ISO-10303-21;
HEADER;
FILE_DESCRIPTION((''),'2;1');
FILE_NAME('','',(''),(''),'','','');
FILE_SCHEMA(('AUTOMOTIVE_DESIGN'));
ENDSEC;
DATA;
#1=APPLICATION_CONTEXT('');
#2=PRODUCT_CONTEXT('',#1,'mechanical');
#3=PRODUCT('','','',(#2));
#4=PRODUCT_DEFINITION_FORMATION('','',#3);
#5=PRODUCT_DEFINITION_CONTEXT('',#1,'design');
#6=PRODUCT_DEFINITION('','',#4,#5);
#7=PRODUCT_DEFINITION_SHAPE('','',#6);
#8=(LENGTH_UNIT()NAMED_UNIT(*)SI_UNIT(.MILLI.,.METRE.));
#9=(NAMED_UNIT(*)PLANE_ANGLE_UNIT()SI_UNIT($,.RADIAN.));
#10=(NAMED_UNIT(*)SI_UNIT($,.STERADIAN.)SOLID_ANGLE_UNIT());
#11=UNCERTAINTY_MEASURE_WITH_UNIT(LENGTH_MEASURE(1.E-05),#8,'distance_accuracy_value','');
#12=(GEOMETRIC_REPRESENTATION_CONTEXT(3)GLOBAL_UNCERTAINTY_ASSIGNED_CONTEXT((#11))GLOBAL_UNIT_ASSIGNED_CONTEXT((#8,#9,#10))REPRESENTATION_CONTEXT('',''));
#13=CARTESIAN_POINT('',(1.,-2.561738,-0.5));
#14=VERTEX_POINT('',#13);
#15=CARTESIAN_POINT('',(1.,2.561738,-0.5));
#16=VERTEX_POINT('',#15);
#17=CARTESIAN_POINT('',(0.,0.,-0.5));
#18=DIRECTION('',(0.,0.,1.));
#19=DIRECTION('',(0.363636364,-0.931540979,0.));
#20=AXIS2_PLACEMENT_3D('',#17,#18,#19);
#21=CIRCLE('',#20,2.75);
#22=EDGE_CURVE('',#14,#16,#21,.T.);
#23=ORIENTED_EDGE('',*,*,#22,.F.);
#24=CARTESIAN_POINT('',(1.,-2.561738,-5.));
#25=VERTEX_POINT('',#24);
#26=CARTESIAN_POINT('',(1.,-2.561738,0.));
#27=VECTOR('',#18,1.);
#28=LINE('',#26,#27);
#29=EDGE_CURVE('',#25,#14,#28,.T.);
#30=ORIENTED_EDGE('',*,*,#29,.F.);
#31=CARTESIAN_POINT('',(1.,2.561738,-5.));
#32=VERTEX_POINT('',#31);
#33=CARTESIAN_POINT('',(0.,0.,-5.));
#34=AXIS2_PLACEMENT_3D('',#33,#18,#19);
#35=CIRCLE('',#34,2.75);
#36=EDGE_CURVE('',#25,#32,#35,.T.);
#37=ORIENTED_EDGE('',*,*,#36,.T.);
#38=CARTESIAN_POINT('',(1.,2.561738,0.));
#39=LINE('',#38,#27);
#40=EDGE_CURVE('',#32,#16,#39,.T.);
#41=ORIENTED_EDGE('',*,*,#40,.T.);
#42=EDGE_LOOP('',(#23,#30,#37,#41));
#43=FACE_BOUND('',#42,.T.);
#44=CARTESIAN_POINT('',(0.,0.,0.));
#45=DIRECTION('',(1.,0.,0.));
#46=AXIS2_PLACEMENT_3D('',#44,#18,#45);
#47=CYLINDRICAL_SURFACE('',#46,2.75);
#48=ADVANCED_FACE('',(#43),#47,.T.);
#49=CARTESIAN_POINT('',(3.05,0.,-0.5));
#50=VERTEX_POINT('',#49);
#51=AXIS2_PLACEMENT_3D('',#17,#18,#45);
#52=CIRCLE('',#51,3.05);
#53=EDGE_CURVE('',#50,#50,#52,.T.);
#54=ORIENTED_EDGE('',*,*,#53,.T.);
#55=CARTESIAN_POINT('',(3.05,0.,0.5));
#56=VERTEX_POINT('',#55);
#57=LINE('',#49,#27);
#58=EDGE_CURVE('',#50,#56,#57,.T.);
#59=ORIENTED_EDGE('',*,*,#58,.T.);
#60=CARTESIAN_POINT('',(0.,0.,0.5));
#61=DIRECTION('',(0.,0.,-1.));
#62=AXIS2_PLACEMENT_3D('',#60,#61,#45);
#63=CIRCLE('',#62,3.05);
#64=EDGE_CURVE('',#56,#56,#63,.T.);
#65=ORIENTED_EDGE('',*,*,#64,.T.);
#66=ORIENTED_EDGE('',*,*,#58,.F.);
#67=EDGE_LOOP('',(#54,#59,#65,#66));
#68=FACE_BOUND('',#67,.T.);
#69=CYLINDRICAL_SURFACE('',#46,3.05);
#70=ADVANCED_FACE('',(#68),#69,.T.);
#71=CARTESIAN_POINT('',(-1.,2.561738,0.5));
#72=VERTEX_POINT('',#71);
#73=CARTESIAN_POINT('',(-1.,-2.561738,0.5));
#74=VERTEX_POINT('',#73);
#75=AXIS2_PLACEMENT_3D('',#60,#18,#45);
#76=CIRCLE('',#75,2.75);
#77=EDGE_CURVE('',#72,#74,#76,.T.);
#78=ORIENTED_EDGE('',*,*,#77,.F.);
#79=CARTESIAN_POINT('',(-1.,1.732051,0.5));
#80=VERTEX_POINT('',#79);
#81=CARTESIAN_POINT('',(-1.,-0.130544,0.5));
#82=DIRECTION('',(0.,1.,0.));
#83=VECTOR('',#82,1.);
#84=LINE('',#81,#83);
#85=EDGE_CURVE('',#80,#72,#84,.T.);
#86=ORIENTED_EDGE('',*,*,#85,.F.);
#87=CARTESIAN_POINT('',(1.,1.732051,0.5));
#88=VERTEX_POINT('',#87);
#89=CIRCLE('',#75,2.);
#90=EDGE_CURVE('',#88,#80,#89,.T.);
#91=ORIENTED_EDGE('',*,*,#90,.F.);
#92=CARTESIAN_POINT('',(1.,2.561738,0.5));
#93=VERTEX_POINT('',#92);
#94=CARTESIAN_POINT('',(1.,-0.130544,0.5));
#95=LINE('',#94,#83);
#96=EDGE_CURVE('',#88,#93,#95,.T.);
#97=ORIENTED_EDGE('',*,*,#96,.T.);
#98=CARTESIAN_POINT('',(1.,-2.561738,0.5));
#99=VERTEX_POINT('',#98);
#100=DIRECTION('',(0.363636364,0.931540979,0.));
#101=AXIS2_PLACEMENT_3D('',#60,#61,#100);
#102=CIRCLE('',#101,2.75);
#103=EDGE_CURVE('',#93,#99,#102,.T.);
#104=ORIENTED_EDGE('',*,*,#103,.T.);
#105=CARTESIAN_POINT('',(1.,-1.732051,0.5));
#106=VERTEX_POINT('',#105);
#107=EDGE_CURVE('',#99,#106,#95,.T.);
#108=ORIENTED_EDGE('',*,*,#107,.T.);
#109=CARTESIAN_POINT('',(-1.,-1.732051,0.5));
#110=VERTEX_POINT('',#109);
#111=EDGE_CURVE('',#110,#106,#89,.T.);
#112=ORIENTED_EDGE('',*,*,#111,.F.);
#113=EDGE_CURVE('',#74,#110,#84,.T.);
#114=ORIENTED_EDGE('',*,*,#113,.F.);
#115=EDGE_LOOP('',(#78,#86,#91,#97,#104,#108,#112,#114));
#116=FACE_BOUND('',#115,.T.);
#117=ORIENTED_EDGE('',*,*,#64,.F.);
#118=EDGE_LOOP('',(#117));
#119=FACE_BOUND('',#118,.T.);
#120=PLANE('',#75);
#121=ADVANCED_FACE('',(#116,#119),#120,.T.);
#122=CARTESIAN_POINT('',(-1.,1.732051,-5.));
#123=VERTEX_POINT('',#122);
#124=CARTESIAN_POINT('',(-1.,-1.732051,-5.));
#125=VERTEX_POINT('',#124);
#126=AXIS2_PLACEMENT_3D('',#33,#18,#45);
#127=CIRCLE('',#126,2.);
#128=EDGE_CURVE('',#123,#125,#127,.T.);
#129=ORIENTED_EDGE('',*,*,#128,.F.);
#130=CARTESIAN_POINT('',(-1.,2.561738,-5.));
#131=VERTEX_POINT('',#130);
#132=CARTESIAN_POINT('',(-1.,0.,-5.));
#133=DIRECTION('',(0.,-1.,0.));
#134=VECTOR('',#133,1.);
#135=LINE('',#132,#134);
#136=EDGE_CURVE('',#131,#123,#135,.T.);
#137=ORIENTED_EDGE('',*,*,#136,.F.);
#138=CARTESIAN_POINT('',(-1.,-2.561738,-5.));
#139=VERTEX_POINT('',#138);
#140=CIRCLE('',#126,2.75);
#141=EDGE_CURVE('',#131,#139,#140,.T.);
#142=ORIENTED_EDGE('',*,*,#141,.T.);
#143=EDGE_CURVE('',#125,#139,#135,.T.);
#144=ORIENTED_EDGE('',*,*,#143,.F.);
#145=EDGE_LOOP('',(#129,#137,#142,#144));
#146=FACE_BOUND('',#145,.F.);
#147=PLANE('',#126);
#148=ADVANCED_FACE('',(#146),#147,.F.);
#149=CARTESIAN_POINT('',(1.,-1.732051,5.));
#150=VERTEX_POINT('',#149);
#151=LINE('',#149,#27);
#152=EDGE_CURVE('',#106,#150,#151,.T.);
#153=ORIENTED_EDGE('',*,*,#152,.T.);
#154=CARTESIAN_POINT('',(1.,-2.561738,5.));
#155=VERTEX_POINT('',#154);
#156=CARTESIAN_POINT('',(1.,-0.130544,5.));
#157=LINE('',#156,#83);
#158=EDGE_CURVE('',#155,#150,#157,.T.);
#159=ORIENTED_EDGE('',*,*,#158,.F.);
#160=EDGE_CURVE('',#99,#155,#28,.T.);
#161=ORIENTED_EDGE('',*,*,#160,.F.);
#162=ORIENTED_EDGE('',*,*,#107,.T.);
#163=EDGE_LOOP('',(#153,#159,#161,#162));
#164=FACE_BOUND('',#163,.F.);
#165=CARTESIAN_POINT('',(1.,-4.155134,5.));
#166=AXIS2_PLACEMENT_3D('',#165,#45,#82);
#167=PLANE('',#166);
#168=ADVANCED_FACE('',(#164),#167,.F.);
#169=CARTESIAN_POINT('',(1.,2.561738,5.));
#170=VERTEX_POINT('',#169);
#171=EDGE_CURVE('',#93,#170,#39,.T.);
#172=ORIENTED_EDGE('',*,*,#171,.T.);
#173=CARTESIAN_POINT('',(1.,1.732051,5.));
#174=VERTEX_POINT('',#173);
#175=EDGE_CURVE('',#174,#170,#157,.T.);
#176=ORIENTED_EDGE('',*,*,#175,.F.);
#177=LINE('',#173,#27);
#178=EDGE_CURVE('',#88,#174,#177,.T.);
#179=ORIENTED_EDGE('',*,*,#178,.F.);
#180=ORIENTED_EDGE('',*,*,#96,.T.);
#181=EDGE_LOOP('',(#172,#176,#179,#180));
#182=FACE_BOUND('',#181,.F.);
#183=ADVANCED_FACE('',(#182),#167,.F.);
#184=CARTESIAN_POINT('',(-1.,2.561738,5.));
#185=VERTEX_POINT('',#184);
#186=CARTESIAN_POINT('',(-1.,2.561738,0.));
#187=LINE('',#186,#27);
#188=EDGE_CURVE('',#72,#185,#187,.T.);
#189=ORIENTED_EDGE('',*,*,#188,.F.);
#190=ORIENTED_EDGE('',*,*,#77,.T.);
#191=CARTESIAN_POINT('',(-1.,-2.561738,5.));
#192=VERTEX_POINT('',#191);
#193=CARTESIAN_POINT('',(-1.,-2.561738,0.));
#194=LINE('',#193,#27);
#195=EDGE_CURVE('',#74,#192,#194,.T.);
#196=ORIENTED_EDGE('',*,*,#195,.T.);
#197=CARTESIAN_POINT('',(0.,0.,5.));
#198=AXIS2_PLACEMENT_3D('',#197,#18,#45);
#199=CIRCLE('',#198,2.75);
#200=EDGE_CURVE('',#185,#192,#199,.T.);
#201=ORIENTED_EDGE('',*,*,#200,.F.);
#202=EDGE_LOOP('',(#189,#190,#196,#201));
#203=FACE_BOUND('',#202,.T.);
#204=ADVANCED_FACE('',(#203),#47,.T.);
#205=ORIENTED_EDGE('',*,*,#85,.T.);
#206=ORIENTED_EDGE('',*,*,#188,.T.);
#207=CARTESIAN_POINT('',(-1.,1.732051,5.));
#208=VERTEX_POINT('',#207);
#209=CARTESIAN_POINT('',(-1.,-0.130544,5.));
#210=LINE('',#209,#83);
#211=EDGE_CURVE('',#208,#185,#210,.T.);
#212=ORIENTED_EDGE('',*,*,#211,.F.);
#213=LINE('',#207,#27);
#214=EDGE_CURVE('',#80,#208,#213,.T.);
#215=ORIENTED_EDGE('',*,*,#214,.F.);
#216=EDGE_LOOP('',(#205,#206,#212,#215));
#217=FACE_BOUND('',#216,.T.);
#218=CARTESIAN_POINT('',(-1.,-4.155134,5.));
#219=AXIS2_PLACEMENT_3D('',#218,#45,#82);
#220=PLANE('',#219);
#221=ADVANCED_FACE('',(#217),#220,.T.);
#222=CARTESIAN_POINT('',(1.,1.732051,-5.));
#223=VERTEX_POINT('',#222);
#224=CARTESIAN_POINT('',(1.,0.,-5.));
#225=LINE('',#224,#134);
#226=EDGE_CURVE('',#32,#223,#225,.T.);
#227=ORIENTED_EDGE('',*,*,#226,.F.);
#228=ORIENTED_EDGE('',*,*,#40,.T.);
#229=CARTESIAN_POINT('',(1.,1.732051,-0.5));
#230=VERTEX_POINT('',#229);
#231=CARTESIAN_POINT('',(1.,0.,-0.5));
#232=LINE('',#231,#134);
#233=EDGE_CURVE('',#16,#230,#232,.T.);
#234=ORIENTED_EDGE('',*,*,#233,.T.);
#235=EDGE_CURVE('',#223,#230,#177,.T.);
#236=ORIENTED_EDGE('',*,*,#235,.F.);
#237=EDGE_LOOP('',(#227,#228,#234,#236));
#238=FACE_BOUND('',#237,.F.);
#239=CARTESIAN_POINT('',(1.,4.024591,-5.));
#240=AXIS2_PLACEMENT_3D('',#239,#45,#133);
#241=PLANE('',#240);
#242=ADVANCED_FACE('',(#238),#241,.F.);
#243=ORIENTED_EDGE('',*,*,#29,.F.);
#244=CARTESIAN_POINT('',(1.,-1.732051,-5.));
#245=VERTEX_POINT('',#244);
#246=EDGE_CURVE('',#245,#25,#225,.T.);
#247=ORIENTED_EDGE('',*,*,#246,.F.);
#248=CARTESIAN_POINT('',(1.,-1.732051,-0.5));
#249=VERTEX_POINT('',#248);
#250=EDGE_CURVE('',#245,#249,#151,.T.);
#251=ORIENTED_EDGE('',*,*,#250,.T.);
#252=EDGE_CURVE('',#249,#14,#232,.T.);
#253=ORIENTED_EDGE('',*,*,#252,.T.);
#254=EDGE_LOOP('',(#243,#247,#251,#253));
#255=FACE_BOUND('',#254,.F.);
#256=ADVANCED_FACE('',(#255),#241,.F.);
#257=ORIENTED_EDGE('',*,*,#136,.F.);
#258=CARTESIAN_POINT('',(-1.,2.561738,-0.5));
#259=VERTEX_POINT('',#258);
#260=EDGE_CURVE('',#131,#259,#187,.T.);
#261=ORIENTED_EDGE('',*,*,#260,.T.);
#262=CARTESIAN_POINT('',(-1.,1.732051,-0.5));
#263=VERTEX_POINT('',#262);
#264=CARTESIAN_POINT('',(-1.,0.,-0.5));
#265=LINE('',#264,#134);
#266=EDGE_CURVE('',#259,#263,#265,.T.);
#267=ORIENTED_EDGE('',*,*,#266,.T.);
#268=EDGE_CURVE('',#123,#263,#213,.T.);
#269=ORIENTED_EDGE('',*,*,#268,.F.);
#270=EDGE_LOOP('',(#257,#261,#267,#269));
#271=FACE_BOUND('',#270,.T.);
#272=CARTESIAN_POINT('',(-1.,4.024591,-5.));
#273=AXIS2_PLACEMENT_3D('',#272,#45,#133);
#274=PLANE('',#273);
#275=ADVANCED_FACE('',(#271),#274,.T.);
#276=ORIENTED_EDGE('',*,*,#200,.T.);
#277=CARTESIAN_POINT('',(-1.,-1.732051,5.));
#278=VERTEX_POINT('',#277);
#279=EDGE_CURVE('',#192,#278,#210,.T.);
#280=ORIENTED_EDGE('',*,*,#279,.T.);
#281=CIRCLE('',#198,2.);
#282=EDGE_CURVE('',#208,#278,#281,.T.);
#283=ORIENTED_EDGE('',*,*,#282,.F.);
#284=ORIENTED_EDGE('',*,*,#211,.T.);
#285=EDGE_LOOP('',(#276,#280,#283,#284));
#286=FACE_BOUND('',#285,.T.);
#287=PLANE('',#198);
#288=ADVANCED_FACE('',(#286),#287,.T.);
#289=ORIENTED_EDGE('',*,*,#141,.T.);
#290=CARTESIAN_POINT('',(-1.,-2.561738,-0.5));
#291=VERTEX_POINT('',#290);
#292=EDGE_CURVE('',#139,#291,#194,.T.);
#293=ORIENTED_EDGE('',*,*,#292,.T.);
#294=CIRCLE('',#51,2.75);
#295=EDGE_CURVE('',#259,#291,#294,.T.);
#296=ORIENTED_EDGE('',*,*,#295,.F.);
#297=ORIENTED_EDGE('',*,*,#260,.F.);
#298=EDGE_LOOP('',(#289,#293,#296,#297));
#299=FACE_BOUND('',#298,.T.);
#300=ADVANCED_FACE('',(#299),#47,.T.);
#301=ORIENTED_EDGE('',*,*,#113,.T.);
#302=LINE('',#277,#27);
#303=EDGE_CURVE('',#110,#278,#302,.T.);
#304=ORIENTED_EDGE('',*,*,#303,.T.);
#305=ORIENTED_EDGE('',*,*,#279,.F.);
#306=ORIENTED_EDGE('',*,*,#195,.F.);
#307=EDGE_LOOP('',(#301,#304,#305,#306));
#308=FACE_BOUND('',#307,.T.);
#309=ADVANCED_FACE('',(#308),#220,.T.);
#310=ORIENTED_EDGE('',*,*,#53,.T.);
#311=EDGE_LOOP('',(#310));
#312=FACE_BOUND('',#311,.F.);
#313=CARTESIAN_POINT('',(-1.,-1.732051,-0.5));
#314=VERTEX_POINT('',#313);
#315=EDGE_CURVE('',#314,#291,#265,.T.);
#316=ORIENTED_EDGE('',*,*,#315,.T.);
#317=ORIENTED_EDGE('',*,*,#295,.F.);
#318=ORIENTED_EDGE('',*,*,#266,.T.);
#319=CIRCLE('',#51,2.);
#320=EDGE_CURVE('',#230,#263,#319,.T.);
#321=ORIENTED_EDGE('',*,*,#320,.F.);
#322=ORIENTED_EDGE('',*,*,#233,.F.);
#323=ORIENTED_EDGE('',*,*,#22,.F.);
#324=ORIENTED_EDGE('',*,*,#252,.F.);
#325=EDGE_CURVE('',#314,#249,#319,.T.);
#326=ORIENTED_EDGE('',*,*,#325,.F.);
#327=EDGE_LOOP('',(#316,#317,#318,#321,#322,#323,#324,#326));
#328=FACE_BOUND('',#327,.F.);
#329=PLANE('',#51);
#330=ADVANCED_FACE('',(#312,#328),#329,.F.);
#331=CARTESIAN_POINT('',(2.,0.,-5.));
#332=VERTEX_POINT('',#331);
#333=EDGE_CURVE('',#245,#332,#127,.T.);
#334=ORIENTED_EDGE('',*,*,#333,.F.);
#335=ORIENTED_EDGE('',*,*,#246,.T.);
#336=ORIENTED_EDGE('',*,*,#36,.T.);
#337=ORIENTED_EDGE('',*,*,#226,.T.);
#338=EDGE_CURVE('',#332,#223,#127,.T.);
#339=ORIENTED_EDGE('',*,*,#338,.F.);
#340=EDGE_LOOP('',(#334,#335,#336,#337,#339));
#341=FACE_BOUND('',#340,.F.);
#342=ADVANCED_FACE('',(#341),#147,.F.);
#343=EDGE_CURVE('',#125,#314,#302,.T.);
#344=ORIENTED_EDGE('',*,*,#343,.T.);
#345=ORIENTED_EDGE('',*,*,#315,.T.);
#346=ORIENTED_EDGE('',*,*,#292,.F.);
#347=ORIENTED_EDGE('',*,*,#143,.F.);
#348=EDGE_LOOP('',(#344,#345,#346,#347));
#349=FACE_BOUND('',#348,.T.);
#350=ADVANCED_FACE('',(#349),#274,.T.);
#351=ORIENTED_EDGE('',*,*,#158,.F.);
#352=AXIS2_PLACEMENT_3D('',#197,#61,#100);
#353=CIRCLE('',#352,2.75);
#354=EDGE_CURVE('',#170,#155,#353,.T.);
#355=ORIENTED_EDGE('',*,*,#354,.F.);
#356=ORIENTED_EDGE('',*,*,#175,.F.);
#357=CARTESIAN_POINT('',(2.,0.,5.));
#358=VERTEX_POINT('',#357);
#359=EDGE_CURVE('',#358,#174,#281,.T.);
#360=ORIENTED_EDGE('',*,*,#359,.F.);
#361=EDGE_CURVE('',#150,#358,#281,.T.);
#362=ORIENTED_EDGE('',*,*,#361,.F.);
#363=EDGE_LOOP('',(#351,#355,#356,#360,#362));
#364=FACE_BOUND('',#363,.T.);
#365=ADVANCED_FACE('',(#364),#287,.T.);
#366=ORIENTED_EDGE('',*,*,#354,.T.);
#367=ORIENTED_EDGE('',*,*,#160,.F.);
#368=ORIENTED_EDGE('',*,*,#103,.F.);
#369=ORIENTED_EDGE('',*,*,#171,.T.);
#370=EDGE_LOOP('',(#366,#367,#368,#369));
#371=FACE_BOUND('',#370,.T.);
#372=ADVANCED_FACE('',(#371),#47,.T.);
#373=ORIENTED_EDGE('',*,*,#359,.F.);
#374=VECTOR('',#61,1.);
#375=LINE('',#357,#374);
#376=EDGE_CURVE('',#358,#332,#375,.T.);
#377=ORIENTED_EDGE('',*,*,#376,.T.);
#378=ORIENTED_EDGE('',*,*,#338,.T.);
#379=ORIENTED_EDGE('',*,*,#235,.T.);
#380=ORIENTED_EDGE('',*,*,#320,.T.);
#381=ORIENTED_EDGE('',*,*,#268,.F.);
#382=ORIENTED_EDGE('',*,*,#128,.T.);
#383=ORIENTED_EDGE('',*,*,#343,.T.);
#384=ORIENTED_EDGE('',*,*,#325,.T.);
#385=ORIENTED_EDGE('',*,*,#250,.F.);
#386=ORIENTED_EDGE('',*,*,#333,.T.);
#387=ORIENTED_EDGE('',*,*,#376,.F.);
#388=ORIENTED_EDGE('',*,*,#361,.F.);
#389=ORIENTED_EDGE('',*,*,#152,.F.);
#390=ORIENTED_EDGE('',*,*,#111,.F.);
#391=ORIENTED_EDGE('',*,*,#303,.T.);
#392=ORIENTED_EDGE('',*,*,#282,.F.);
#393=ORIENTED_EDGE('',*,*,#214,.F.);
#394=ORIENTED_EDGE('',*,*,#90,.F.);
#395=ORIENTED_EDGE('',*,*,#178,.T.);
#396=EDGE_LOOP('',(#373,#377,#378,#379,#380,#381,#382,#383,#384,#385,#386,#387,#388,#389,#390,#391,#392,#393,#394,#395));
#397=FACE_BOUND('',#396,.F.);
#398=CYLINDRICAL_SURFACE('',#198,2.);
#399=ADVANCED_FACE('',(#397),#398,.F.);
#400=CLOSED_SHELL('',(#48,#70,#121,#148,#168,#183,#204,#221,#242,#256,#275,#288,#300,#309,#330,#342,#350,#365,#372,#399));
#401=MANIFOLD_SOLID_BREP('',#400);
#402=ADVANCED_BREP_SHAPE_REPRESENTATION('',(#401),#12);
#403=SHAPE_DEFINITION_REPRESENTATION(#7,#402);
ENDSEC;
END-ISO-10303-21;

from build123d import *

# Parameters (mm, degrees)
F0_R     = 2.75
F1_DEPTH = 5
F2_R     = 3.05
F3_DEPTH = 0.5
F4_R     = 2
F5_DEPTH = 25
F6_W     = 2
F6_H     = 8.049181
F7_DEPTH = 4.5
F8_W     = 2
F8_H     = 8.049182
F9_DEPTH = 4.5


with BuildPart() as f1:
    # F0 (on Top) → F1 (new body, symmetric)
    with BuildSketch(Plane.XY):
        Circle(F0_R)
    extrude(amount=F1_DEPTH, both=True)

    # F2 (on Top) → F3 (join, symmetric)
    with BuildSketch(Plane.XY):
        Circle(F2_R)
    extrude(amount=F3_DEPTH, both=True)

    # F4 (on face) → F5 (cut)
    with BuildSketch(Plane.XY.offset(5)):
        Circle(F4_R)
    extrude(amount=-F5_DEPTH, mode=Mode.SUBTRACT)

    # F6 (on face) → F7 (cut)
    with BuildSketch(Plane.XY.offset(5)):
        with Locations((0, -0.130544)):
            Rectangle(F6_W, F6_H)
    extrude(amount=-F7_DEPTH, mode=Mode.SUBTRACT)

    # F8 (on face) → F9 (cut)
    with BuildSketch(Plane(origin=(0, 0, -5), x_dir=(1, 0, 0), z_dir=(0, 0, -1))):
        Rectangle(F8_W, F8_H)
    extrude(amount=-F9_DEPTH, mode=Mode.SUBTRACT)


solid = f1.part
